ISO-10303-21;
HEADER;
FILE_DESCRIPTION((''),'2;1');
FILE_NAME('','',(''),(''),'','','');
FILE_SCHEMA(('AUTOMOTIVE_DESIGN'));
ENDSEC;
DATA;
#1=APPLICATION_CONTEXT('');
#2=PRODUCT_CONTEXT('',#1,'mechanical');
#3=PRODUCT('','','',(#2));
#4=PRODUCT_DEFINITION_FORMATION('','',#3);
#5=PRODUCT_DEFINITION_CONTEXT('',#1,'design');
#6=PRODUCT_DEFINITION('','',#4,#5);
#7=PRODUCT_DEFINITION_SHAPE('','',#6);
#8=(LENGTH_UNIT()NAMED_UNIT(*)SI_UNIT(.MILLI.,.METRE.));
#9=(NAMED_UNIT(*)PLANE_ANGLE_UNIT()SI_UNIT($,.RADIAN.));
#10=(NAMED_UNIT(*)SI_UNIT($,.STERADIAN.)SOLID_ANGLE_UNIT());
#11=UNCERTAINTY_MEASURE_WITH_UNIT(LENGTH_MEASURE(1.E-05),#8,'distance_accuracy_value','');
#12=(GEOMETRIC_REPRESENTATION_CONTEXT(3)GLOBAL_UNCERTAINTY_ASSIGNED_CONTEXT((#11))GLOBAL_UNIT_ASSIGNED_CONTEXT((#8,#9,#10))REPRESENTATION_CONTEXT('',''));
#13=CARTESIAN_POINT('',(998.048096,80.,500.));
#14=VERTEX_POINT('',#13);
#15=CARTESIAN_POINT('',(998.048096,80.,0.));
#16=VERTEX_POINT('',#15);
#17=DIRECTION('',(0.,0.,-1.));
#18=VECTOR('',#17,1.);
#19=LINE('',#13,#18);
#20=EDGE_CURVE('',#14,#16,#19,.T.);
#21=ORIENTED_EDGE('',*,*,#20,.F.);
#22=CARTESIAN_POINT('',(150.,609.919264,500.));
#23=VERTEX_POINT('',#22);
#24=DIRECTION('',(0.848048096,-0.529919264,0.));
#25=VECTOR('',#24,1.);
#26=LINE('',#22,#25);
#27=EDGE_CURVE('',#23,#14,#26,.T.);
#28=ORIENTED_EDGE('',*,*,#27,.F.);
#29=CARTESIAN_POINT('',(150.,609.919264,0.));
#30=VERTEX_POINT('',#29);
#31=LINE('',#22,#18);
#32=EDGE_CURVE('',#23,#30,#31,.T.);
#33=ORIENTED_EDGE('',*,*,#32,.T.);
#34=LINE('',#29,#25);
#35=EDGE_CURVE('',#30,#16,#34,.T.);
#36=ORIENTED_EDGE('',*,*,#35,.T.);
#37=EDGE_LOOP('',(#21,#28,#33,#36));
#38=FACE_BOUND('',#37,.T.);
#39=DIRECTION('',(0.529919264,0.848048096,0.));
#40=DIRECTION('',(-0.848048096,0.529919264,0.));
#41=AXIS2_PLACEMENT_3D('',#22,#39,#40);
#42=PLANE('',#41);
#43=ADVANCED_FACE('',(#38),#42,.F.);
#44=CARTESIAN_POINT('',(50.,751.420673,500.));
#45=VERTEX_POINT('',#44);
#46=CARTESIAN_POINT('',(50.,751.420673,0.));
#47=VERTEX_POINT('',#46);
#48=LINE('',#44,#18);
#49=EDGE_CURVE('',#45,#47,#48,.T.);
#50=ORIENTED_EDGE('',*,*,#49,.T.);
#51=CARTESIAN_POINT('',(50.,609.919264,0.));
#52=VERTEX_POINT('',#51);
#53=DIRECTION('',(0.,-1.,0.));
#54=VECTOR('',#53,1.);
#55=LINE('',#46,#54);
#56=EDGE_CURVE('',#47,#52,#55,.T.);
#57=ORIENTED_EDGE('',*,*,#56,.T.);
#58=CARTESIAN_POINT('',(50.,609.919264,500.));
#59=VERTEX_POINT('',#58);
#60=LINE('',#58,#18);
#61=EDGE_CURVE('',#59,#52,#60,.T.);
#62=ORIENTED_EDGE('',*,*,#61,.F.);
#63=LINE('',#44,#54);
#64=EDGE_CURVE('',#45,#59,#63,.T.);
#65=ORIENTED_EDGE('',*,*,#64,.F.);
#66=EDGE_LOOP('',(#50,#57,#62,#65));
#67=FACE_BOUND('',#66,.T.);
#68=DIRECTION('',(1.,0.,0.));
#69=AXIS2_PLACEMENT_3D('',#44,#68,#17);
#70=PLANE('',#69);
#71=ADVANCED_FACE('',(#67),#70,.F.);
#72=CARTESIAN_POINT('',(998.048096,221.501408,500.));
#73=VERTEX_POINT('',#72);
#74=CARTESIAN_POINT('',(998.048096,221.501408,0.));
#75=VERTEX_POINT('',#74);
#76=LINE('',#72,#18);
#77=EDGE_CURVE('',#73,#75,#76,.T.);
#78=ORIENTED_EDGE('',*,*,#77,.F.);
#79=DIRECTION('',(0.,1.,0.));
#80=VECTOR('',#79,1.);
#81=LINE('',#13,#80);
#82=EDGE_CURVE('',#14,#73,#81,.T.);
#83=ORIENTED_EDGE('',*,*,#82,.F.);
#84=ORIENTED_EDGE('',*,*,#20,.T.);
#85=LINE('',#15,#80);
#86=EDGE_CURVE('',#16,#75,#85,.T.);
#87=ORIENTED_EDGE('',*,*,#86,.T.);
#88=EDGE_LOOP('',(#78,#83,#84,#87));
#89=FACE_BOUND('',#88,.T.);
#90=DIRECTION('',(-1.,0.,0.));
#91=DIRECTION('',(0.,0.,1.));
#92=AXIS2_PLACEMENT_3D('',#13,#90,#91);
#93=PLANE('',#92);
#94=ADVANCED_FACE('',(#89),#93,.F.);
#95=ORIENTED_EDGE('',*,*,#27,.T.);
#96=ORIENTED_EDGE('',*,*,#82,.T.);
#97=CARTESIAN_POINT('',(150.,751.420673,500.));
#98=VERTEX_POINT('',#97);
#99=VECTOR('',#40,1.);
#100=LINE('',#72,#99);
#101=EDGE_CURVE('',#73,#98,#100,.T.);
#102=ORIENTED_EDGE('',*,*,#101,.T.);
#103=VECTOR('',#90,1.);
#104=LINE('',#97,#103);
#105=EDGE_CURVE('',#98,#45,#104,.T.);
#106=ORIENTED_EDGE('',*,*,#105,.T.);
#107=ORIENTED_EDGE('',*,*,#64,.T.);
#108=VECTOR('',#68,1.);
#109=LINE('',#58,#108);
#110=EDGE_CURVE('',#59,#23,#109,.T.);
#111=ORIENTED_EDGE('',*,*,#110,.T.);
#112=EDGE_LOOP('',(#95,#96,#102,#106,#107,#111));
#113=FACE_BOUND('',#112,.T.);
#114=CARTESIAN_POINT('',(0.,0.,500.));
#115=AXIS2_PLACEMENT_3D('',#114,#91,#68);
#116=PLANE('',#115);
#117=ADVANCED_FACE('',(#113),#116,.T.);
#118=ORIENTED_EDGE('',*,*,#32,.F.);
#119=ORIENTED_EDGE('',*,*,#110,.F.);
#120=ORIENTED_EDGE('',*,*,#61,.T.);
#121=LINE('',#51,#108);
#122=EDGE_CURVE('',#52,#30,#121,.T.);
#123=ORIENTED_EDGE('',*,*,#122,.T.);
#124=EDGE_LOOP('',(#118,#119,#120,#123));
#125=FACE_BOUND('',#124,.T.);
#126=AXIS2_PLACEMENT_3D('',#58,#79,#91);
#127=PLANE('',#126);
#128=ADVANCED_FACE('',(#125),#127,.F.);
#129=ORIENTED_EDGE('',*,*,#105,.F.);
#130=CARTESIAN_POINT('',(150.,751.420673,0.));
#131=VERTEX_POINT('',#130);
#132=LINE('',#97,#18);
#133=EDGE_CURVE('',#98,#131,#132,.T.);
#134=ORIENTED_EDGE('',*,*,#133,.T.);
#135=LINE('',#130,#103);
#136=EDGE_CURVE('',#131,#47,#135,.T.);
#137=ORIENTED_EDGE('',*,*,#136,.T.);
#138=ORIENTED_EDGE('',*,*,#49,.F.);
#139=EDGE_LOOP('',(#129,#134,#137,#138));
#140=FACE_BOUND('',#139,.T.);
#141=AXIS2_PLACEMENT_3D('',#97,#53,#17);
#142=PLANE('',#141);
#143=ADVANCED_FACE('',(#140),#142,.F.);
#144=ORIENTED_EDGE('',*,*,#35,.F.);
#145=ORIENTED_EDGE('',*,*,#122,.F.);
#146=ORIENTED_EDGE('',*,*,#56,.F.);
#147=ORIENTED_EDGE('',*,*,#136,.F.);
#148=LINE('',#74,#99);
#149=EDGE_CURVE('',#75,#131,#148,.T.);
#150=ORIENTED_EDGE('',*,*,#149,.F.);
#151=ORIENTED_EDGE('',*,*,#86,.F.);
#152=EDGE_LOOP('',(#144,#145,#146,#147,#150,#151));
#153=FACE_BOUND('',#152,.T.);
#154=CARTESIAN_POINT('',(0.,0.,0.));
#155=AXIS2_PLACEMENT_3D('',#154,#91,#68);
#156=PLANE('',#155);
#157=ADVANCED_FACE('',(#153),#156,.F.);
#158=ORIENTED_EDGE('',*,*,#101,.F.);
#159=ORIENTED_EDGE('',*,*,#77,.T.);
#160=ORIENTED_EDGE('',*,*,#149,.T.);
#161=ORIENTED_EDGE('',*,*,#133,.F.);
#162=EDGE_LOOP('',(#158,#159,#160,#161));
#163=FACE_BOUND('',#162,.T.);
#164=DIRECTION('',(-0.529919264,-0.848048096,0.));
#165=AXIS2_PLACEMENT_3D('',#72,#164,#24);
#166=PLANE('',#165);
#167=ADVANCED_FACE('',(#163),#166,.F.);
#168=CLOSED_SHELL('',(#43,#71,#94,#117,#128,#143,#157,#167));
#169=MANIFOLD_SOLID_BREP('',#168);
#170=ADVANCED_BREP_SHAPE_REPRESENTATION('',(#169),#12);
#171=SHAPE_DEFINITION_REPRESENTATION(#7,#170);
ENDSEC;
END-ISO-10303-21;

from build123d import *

# Parameters (mm, degrees)
ACTIVE_SAND_LAYER_NORMAL_120_DEPTH = 500


with BuildPart() as part:
    # 草图1 → Active_sand_layer_normal_120 (new body)
    with BuildSketch(Plane.XY):
        Polygon((50, 609.919264233), (150, 609.919264233), (998.048096156, 80), (998.048096156, 221.501408403), (150, 751.420672637), (50, 751.420672637), align=None)
    extrude(amount=ACTIVE_SAND_LAYER_NORMAL_120_DEPTH)


solid = part.part
